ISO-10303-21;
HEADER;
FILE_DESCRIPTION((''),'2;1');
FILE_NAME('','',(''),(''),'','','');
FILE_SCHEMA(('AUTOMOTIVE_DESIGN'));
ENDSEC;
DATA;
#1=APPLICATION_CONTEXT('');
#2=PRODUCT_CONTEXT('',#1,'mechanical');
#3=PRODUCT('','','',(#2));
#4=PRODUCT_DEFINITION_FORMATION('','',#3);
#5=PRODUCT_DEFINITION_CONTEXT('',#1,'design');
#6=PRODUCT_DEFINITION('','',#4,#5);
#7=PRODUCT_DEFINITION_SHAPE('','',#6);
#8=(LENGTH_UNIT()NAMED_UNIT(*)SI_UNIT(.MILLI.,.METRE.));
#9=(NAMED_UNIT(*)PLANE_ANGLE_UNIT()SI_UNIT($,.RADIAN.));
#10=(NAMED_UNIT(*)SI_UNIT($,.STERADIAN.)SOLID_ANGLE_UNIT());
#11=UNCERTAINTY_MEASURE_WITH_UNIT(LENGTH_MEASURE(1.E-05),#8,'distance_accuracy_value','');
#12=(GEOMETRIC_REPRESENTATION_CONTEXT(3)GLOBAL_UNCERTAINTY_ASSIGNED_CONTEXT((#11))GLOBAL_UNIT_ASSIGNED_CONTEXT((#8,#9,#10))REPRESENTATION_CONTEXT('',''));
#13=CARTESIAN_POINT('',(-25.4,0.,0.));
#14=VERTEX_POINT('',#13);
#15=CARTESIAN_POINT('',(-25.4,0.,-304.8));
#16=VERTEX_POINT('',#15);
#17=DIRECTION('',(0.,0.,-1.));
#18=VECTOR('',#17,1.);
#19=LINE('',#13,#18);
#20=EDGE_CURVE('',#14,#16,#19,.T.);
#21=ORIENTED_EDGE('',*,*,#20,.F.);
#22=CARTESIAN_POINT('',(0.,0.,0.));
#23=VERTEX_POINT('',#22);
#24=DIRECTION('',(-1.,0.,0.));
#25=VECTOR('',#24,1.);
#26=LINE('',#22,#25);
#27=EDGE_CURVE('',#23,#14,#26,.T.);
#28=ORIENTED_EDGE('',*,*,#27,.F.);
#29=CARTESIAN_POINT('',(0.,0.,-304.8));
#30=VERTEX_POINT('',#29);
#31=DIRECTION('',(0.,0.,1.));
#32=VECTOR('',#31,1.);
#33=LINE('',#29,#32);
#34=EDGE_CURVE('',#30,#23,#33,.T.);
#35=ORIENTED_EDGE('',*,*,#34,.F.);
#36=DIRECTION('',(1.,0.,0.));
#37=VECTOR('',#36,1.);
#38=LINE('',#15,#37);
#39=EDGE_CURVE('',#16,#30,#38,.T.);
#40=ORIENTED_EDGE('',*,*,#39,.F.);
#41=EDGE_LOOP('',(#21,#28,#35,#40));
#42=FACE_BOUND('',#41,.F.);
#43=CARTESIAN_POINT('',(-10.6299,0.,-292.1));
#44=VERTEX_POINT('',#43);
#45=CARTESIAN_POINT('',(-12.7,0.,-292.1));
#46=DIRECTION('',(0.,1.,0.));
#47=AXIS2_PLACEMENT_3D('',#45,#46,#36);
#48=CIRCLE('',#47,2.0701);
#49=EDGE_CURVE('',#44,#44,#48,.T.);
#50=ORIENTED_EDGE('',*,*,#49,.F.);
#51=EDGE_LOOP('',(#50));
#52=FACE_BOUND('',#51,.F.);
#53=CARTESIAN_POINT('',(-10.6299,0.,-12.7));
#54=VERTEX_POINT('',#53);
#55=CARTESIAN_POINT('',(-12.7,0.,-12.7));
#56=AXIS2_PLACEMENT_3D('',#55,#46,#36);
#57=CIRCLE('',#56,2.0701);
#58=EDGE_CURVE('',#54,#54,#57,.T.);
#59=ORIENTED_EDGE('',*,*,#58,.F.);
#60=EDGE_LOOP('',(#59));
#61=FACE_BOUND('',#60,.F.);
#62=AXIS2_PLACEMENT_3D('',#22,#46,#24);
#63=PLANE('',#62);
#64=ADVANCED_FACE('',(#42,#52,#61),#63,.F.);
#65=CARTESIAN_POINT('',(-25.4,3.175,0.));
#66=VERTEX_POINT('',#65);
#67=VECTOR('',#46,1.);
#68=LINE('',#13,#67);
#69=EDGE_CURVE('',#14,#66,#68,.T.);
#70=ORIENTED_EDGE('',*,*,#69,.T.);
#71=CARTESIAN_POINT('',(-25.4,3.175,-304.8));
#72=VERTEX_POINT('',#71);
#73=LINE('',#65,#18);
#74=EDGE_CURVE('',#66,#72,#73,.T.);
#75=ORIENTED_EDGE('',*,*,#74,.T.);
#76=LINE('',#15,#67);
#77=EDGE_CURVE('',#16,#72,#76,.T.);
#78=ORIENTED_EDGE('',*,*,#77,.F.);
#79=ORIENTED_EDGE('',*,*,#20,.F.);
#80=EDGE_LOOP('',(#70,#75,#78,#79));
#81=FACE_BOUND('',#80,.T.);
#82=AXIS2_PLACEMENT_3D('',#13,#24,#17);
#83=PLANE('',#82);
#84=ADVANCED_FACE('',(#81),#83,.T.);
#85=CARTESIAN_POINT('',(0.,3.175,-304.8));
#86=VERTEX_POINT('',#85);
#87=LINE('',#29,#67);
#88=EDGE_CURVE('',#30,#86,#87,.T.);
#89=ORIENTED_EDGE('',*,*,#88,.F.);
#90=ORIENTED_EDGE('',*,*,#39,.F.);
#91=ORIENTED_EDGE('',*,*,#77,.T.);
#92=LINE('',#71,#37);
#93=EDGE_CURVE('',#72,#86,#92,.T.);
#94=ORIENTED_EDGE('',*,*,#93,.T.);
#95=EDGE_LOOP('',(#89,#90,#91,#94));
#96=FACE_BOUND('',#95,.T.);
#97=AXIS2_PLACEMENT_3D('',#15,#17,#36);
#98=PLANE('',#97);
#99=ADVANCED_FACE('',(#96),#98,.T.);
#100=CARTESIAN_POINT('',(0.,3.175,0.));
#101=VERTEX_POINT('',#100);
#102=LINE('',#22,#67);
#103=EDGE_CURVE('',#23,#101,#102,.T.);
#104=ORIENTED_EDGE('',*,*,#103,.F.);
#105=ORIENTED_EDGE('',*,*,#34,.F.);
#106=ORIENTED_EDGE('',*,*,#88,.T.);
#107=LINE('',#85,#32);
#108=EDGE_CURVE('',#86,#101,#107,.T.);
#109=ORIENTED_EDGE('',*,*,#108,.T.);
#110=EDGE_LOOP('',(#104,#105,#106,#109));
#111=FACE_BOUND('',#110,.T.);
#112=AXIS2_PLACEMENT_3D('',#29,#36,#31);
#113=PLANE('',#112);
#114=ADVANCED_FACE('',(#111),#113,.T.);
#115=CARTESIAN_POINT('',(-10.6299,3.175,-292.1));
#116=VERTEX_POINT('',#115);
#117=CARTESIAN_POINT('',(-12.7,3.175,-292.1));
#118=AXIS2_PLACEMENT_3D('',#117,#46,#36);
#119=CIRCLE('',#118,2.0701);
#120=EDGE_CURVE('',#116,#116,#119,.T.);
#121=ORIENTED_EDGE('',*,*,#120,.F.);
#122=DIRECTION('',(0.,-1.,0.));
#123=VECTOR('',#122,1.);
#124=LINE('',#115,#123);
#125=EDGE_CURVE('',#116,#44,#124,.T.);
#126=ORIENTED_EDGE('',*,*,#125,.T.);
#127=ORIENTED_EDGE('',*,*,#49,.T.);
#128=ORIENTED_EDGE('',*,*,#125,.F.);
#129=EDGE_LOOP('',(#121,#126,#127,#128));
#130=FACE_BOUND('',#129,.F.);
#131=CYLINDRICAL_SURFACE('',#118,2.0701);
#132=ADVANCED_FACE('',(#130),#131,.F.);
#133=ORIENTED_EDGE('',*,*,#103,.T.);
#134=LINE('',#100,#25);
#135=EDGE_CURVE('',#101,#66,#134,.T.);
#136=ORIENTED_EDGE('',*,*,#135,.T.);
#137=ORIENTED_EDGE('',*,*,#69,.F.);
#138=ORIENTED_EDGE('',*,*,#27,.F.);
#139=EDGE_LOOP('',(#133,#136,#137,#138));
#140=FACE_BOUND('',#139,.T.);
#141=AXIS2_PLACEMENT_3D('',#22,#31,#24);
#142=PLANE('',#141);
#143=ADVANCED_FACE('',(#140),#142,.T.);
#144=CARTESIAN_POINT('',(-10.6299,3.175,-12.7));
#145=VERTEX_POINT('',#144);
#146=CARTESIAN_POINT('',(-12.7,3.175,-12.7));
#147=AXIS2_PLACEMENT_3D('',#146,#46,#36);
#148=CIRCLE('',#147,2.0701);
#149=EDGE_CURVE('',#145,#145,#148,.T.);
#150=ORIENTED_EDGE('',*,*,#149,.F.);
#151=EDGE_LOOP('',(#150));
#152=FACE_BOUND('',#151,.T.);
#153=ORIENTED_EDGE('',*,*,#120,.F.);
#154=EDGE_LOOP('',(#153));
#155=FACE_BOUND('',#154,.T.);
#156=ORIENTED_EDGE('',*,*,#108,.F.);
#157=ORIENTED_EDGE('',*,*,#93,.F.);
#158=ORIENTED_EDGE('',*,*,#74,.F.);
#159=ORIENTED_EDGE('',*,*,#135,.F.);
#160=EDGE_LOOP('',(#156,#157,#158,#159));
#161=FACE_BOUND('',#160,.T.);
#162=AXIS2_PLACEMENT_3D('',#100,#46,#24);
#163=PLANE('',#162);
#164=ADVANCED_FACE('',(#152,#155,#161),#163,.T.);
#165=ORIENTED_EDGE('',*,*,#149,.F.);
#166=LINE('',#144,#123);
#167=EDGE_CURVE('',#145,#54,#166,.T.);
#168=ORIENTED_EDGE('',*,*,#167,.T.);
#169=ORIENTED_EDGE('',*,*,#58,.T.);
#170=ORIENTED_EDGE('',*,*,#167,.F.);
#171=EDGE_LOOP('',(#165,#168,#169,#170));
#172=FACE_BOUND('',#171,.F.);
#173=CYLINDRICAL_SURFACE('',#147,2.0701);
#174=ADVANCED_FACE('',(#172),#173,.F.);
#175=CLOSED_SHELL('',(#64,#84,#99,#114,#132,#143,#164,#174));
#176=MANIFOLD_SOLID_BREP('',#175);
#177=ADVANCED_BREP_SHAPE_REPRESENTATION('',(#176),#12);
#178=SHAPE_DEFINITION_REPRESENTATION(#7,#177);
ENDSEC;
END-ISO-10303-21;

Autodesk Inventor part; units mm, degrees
ref_plane "YZ Plane" through (0, 0, 0) normal (1, 0, 0) x (0, 1, 0)
ref_plane "XZ Plane" through (0, 0, 0) normal (0, 1, 0) x (-1, 0, 0)
ref_plane "XY Plane" through (0, 0, 0) normal (0, 0, 1) x (1, 0, 0)
sketch "Sketch1" plane through (0, 0, 0) normal (0, 1, 0) x (-1, 0, 0)
  line L0 (0, 0) -> (25.4, 0)
  line L1 (25.4, 0) -> (25.4, -304.8)
  line L2 (25.4, -304.8) -> (0, -304.8)
  line L3 (0, -304.8) -> (0, 0)
  dimension "d0" = 304.8
  dimension "d1" = 25.4
extrude "Extrusion1" add sketch "Sketch1" along normal blind 3.175
sketch "Sketch2" plane through (0, 3.175, 0) normal (0, 1, 0) x (1, 0, 0)
  circle A0 centre (-12.7, 12.7) radius 2.0701
  line L0 (-25.4, 304.8) -> (-25.4, 0) projected
  line L1 (-25.4, 0) -> (0, 0) projected
  dimension "d4" = 4.1402
  dimension "d5" = 12.7
  dimension "d6" = 12.7
extrude "Extrusion2" cut sketch "Sketch2" against normal blind 25.4
sketch "Sketch3" plane through (0, 3.175, 0) normal (0, 1, 0) x (1, 0, 0)
  circle A0 centre (-12.7, 292.1) radius 2.0701
  line L0 (-25.4, 304.8) -> (-25.4, 0) projected
  line L1 (0, 304.8) -> (-25.4, 304.8) projected
  point P0 (0, 0)
  dimension "d9" = 4.1402
  dimension "d10" = 12.7
  dimension "d11" = 12.7
extrude "Extrusion3" cut sketch "Sketch3" against normal blind 25.4
properties part number "12in Aluminum Plate-ver-1-1111-2019"
